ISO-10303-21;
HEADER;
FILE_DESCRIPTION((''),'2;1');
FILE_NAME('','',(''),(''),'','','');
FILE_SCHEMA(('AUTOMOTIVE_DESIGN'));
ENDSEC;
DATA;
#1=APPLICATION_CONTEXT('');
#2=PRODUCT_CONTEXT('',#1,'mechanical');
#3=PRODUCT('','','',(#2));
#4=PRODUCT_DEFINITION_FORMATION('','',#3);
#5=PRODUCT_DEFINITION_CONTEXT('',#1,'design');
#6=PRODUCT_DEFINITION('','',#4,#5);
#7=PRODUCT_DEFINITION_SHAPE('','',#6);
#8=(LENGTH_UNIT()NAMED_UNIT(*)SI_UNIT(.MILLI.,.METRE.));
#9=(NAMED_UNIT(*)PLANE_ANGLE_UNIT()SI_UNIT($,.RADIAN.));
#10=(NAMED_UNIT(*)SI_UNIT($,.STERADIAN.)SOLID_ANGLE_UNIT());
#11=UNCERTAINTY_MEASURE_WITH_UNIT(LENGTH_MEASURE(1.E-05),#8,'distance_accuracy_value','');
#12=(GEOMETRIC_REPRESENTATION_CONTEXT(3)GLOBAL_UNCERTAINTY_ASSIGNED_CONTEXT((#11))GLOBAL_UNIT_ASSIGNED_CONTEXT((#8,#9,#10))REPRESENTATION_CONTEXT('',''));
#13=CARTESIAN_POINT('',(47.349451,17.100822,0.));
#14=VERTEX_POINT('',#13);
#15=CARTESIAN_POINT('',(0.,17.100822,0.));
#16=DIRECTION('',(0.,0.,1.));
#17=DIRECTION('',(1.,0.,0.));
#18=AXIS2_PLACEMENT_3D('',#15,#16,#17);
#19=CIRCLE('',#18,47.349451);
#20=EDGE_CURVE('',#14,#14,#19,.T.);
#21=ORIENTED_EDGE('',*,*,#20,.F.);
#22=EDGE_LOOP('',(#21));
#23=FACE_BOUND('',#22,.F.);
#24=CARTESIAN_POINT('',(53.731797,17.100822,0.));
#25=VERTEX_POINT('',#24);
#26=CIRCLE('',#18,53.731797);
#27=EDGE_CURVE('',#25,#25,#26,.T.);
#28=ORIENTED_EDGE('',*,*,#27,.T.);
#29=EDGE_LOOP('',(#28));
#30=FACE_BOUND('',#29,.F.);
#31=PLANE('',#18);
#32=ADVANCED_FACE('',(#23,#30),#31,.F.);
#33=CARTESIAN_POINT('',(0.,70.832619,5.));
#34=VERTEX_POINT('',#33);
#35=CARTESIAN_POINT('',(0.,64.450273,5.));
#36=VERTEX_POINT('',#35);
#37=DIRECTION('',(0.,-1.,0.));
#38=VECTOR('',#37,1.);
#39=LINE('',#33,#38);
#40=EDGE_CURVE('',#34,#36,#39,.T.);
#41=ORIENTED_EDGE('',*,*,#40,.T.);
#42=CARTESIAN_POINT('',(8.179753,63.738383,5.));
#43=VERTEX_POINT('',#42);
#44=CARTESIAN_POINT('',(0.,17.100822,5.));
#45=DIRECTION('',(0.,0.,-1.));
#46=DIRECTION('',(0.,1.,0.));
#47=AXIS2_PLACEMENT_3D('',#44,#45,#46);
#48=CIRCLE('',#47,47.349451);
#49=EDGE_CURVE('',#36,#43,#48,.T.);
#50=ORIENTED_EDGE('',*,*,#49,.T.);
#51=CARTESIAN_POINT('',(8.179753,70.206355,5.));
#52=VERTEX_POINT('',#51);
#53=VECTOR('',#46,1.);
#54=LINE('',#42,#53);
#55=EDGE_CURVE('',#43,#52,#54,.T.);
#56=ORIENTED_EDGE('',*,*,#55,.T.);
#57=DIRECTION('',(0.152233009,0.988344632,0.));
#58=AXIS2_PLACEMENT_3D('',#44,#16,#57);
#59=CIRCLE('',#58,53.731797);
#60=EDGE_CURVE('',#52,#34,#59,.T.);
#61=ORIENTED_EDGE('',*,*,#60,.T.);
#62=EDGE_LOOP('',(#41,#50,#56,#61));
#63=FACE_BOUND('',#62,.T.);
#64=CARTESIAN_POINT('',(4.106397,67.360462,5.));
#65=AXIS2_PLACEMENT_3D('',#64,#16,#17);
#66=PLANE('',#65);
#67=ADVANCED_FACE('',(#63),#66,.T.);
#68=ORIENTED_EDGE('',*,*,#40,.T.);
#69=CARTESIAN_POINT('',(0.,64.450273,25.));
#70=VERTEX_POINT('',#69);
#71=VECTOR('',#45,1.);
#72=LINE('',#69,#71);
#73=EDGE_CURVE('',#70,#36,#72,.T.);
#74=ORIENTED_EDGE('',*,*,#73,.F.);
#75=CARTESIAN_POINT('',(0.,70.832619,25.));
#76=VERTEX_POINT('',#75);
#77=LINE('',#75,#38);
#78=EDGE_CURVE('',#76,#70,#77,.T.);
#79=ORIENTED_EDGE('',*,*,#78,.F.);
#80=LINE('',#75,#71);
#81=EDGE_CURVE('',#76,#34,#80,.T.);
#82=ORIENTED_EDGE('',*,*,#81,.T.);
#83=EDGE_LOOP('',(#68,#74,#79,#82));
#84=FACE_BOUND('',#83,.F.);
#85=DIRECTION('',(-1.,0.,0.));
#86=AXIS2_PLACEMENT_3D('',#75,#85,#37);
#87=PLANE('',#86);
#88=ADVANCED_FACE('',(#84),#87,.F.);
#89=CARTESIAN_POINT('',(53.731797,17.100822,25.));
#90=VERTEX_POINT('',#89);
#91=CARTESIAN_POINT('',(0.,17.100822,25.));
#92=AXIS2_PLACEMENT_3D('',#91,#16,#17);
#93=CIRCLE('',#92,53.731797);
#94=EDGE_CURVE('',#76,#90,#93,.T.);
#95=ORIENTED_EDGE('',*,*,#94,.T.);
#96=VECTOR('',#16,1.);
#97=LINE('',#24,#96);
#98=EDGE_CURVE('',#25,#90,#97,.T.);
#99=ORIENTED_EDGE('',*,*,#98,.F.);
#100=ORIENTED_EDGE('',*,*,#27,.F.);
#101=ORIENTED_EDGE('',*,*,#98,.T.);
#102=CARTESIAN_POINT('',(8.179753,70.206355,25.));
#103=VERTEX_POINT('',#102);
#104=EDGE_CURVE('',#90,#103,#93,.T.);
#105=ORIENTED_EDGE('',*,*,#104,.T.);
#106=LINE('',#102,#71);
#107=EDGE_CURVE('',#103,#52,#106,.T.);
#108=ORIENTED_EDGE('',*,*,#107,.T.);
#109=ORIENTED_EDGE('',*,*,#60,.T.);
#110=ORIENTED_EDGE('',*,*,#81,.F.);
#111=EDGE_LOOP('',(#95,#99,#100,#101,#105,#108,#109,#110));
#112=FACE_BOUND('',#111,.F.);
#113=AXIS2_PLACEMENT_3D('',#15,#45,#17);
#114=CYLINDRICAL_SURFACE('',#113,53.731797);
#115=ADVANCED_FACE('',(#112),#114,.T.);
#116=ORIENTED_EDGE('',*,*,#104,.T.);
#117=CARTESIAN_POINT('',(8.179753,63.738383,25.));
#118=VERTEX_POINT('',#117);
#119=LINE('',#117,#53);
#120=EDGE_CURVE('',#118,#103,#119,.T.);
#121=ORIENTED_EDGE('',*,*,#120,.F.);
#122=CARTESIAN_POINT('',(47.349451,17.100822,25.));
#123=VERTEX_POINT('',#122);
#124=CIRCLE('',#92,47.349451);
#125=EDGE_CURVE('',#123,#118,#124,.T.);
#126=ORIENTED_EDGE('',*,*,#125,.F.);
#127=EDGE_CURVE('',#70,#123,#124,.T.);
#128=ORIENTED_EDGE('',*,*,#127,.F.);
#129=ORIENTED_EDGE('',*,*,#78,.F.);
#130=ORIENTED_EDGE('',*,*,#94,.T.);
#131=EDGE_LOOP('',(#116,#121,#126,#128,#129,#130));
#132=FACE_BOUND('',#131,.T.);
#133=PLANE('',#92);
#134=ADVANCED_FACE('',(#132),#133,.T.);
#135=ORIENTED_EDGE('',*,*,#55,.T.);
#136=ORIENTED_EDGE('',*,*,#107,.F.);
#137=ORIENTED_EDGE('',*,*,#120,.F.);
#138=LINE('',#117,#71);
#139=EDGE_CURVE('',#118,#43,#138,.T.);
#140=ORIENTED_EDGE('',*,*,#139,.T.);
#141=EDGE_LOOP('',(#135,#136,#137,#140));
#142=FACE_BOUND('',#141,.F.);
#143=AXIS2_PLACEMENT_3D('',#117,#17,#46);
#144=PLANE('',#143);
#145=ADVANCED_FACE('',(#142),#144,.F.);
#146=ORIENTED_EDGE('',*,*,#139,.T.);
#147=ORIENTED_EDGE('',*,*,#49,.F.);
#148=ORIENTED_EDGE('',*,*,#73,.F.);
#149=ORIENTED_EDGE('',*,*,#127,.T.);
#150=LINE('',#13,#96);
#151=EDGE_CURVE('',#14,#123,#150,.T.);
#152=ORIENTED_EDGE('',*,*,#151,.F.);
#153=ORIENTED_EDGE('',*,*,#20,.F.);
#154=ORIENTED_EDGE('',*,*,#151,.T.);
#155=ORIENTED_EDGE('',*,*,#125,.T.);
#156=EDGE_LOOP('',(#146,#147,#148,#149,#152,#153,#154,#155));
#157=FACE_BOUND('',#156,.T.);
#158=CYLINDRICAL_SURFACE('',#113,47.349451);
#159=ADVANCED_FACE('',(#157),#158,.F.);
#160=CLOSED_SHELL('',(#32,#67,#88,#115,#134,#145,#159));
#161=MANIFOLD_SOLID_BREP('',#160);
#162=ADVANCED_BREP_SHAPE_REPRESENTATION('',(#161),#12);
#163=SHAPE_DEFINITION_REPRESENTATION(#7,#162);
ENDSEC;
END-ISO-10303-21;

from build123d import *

# Parameters (mm, degrees)
F0_R     = 53.731796632
F0_R_2   = 47.3494506103
F1_DEPTH = 25
F3_DEPTH = 20


with BuildPart() as f1:
    # F0 (on Top) → F1 (new body)
    with BuildSketch(Plane.XY):
        with Locations((0, 17.1008221805)):
            Circle(F0_R)
        with Locations((0, 17.1008221805)):
            Circle(F0_R_2, mode=Mode.SUBTRACT)
    extrude(amount=F1_DEPTH)

    # F2 (on face) → F3 (cut)
    with BuildSketch(Plane.XY.offset(25)):
        with BuildLine():
            Line((0, 70.8326188125), (0, 64.4502727909))
            ThreePointArc((0, 64.4502727909), (4.1053363789, 64.2719646971), (8.1797530875, 63.7383833574))
            Line((8.1797530875, 63.7383833574), (8.1797530875, 70.2063549312))
            ThreePointArc((8.1797530875, 70.2063549312), (4.1018461399, 70.6758240708), (0, 70.8326188125))
        make_face()
    extrude(amount=-F3_DEPTH, mode=Mode.SUBTRACT)


solid = f1.part
